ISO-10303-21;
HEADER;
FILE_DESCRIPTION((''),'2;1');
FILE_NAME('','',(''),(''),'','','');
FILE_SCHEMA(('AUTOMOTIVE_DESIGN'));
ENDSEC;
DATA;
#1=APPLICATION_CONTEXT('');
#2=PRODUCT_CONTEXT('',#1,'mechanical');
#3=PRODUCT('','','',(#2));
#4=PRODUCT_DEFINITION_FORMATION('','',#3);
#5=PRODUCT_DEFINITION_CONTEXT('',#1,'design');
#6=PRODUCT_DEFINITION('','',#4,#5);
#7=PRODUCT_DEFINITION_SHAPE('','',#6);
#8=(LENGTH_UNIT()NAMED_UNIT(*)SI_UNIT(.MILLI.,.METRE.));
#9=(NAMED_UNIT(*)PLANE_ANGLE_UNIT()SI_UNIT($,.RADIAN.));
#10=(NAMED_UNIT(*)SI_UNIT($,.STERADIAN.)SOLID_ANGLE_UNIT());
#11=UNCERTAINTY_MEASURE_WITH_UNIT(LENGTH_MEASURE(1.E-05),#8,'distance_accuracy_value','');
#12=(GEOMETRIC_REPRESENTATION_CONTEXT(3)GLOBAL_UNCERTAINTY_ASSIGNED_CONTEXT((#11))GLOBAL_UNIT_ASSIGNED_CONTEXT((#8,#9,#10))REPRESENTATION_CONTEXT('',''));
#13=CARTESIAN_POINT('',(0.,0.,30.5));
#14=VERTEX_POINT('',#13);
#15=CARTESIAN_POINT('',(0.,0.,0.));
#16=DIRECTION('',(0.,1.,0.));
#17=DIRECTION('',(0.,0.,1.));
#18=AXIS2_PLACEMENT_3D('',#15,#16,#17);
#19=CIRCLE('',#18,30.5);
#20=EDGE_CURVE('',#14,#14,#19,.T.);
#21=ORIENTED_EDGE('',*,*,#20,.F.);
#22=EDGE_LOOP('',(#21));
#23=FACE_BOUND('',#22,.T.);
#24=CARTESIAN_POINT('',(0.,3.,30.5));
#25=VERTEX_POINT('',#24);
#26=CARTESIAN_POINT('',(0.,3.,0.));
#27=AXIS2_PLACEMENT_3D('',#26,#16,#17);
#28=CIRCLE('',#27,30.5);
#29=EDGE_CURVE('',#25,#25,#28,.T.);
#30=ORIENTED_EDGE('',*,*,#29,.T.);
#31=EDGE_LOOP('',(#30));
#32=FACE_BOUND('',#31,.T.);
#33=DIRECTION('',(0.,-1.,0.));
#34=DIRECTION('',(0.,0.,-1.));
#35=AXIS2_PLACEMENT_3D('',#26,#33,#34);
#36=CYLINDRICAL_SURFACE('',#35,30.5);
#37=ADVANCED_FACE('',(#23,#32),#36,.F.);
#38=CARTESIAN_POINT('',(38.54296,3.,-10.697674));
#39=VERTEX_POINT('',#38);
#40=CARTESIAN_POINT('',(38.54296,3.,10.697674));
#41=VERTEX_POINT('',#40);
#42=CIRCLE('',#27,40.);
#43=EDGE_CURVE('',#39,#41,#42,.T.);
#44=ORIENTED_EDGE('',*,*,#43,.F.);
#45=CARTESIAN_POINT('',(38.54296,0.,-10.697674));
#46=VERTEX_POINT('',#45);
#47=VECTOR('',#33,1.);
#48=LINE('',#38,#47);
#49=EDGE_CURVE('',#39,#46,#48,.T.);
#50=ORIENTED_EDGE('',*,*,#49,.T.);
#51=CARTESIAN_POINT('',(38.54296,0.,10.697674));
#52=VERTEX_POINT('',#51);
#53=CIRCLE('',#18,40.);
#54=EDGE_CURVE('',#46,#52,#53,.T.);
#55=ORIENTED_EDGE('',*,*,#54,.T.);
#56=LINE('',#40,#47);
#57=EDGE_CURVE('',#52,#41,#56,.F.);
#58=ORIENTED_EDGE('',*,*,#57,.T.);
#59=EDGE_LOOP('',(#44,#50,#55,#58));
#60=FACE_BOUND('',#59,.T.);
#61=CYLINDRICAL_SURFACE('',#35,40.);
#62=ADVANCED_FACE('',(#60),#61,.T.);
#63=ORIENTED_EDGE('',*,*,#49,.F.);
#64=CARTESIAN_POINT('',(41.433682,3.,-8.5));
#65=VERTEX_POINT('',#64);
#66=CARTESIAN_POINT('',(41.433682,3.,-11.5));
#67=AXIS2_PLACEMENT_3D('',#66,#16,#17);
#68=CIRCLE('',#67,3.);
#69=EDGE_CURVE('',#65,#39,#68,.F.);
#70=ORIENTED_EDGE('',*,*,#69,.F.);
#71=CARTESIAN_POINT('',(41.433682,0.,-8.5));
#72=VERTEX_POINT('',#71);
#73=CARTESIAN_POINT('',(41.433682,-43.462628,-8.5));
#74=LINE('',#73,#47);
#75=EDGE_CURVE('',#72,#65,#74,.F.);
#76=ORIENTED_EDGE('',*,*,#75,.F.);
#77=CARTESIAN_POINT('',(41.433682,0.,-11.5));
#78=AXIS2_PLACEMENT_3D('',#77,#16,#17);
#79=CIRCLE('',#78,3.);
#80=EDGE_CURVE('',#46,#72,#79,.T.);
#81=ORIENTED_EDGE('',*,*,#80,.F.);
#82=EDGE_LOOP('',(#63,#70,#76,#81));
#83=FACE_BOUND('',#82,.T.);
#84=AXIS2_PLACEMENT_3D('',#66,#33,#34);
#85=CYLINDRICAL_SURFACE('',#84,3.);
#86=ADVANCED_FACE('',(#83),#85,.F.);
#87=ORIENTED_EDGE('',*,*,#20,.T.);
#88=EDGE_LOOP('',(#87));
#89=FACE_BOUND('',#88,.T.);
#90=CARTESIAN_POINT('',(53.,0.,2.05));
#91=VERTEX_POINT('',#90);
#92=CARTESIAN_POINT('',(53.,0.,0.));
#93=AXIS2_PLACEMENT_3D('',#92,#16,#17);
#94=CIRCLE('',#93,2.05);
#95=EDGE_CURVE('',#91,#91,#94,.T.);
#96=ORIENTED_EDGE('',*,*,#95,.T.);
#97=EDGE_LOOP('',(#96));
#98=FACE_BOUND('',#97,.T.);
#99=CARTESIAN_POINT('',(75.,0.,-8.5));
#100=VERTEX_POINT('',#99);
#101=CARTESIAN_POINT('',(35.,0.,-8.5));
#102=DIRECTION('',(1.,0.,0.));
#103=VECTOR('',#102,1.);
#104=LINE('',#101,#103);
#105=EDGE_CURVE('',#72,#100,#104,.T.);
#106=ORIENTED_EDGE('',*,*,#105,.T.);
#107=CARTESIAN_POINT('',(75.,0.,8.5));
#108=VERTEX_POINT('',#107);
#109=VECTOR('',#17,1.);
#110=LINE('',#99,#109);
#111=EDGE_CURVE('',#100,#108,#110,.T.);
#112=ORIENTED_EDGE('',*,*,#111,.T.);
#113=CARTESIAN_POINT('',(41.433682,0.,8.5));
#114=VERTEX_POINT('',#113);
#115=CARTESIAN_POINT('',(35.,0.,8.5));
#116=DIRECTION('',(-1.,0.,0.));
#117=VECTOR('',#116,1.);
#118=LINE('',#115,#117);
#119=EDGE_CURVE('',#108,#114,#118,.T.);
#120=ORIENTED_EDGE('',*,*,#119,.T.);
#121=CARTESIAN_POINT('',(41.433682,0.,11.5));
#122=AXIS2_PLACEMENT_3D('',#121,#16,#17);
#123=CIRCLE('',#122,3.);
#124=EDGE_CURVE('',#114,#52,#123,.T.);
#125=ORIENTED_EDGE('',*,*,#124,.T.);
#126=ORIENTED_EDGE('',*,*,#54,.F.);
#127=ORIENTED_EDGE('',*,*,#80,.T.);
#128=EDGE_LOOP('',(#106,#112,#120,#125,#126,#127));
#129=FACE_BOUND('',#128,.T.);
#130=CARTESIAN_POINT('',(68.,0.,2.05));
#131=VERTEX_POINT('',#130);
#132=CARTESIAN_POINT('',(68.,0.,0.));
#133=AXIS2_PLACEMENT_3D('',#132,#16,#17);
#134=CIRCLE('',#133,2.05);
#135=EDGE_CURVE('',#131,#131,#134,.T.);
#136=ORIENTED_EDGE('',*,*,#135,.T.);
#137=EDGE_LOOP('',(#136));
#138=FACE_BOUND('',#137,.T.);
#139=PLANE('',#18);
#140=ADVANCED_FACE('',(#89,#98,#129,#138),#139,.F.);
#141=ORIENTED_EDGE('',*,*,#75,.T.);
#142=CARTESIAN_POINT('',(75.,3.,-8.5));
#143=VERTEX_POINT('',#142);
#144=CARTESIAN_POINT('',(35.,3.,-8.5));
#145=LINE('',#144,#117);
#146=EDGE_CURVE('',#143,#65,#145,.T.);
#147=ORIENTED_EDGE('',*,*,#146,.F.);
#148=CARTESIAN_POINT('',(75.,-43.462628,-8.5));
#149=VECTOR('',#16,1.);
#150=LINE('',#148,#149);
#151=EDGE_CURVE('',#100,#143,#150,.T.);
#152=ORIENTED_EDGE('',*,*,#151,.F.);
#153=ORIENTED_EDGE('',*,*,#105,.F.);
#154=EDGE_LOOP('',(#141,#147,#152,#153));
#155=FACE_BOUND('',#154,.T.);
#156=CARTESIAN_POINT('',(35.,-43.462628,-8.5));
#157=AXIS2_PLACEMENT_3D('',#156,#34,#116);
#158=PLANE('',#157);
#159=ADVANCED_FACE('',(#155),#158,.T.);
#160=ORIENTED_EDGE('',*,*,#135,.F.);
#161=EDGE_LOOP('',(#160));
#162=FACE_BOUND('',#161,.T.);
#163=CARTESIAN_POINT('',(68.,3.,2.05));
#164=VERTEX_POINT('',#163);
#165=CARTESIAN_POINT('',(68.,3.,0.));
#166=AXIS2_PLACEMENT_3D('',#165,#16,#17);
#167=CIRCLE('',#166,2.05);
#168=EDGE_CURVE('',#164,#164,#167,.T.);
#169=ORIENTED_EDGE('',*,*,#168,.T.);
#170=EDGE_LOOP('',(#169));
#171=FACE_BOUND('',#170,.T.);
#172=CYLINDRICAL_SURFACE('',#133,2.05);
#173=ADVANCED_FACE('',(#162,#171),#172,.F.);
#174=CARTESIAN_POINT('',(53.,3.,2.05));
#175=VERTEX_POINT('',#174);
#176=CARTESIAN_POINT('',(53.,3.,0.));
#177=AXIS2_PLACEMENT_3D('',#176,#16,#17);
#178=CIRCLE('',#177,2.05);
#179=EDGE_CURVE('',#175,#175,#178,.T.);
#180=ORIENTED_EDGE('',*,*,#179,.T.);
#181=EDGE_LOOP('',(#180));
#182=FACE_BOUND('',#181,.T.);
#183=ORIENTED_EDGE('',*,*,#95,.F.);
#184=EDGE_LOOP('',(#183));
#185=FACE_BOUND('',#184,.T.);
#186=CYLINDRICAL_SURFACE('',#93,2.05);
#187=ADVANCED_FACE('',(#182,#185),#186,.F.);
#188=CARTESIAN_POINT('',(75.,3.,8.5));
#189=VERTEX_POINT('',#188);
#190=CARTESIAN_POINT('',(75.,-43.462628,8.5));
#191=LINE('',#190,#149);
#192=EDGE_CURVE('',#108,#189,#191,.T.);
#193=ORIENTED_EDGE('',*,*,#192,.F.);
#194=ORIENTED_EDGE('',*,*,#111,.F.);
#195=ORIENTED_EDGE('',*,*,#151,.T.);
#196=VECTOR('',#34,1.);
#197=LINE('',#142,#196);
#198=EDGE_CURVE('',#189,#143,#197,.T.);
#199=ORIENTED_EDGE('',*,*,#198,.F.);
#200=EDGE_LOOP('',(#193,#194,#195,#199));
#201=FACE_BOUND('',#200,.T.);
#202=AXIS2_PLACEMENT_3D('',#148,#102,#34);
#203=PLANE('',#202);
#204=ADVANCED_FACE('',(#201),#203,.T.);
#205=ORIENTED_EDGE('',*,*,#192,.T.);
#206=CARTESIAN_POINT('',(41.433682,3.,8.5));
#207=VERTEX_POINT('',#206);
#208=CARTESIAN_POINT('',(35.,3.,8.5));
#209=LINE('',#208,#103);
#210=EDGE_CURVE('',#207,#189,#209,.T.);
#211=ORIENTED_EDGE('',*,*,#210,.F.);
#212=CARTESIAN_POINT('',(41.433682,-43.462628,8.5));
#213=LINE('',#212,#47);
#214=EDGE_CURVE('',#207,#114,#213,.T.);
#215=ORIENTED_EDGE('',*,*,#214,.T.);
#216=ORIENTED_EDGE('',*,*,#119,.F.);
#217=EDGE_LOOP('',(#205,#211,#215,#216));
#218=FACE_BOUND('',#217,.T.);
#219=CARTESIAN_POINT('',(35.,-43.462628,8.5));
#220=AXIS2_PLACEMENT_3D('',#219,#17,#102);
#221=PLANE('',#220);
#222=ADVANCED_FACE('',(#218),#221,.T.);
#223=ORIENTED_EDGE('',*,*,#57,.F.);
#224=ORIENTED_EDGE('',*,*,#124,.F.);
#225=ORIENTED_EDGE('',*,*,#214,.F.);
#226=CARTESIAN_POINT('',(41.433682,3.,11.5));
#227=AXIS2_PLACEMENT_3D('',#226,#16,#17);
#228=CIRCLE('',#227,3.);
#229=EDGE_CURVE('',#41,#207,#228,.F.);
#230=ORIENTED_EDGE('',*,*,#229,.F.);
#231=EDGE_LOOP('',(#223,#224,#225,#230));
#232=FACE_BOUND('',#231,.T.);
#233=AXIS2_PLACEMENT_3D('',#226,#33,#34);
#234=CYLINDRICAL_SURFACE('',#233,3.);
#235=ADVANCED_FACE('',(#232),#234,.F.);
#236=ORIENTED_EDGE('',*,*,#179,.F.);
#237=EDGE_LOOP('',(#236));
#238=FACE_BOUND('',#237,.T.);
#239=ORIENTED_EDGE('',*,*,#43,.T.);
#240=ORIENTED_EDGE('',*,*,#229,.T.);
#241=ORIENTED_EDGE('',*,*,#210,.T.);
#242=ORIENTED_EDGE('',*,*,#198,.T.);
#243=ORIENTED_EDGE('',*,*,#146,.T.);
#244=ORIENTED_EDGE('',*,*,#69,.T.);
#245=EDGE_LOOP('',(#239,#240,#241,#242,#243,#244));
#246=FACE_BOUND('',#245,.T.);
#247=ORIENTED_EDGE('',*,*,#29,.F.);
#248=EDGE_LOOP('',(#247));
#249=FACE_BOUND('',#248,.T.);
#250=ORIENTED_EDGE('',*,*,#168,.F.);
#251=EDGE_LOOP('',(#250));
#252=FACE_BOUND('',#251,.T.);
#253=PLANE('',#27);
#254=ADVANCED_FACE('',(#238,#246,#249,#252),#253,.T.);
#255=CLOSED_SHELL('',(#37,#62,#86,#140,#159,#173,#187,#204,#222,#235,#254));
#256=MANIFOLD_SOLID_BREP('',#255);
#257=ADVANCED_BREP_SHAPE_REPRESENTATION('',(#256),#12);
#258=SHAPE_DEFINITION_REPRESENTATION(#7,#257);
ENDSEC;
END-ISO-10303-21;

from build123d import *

# Parameters (mm, degrees)
SKETCH1_R           = 40
SKETCH1_R_2         = 30.5
BOSS_EXTRUDE1_DEPTH = 3
SKETCH2_W           = 40
SKETCH2_H           = 17
BOSS_EXTRUDE2_DEPTH = 3
SKETCH3_R           = 2.05
CUT_EXTRUDE1_DEPTH  = 4
FILLET1_R           = 3


with BuildPart() as part:
    # Sketch1 → Boss-Extrude1 (new body)
    with BuildSketch(Plane(origin=(0, 0, 0), x_dir=(1, 0, 0), z_dir=(0, 1, 0))):
        Circle(SKETCH1_R)
        Circle(SKETCH1_R_2, mode=Mode.SUBTRACT)
    extrude(amount=BOSS_EXTRUDE1_DEPTH)

    # Sketch2 → Boss-Extrude2 (add)
    with BuildSketch(Plane(origin=(0, 3, 0), x_dir=(1, 0, 0), z_dir=(0, 1, 0))):
        with Locations((55, 0)):
            Rectangle(SKETCH2_W, SKETCH2_H)
    extrude(amount=-BOSS_EXTRUDE2_DEPTH)

    # Sketch3 → Cut-Extrude1 (cut, through all)
    with BuildSketch(Plane(origin=(0, 3, 0), x_dir=(1, 0, 0), z_dir=(0, 1, 0))):
        with Locations((53, 0)):
            Circle(SKETCH3_R)
        with Locations((68, 0)):
            Circle(SKETCH3_R)
    extrude(amount=-CUT_EXTRUDE1_DEPTH, mode=Mode.SUBTRACT)

    # Fillet1
    fillet1_edges = [part.edges().sort_by_distance(p)[0] for p in [
        (39.086442662, 1.5, 8.5),
        (39.086442662, 1.5, -8.5),
    ]]
    fillet(fillet1_edges, radius=FILLET1_R)


solid = part.part
